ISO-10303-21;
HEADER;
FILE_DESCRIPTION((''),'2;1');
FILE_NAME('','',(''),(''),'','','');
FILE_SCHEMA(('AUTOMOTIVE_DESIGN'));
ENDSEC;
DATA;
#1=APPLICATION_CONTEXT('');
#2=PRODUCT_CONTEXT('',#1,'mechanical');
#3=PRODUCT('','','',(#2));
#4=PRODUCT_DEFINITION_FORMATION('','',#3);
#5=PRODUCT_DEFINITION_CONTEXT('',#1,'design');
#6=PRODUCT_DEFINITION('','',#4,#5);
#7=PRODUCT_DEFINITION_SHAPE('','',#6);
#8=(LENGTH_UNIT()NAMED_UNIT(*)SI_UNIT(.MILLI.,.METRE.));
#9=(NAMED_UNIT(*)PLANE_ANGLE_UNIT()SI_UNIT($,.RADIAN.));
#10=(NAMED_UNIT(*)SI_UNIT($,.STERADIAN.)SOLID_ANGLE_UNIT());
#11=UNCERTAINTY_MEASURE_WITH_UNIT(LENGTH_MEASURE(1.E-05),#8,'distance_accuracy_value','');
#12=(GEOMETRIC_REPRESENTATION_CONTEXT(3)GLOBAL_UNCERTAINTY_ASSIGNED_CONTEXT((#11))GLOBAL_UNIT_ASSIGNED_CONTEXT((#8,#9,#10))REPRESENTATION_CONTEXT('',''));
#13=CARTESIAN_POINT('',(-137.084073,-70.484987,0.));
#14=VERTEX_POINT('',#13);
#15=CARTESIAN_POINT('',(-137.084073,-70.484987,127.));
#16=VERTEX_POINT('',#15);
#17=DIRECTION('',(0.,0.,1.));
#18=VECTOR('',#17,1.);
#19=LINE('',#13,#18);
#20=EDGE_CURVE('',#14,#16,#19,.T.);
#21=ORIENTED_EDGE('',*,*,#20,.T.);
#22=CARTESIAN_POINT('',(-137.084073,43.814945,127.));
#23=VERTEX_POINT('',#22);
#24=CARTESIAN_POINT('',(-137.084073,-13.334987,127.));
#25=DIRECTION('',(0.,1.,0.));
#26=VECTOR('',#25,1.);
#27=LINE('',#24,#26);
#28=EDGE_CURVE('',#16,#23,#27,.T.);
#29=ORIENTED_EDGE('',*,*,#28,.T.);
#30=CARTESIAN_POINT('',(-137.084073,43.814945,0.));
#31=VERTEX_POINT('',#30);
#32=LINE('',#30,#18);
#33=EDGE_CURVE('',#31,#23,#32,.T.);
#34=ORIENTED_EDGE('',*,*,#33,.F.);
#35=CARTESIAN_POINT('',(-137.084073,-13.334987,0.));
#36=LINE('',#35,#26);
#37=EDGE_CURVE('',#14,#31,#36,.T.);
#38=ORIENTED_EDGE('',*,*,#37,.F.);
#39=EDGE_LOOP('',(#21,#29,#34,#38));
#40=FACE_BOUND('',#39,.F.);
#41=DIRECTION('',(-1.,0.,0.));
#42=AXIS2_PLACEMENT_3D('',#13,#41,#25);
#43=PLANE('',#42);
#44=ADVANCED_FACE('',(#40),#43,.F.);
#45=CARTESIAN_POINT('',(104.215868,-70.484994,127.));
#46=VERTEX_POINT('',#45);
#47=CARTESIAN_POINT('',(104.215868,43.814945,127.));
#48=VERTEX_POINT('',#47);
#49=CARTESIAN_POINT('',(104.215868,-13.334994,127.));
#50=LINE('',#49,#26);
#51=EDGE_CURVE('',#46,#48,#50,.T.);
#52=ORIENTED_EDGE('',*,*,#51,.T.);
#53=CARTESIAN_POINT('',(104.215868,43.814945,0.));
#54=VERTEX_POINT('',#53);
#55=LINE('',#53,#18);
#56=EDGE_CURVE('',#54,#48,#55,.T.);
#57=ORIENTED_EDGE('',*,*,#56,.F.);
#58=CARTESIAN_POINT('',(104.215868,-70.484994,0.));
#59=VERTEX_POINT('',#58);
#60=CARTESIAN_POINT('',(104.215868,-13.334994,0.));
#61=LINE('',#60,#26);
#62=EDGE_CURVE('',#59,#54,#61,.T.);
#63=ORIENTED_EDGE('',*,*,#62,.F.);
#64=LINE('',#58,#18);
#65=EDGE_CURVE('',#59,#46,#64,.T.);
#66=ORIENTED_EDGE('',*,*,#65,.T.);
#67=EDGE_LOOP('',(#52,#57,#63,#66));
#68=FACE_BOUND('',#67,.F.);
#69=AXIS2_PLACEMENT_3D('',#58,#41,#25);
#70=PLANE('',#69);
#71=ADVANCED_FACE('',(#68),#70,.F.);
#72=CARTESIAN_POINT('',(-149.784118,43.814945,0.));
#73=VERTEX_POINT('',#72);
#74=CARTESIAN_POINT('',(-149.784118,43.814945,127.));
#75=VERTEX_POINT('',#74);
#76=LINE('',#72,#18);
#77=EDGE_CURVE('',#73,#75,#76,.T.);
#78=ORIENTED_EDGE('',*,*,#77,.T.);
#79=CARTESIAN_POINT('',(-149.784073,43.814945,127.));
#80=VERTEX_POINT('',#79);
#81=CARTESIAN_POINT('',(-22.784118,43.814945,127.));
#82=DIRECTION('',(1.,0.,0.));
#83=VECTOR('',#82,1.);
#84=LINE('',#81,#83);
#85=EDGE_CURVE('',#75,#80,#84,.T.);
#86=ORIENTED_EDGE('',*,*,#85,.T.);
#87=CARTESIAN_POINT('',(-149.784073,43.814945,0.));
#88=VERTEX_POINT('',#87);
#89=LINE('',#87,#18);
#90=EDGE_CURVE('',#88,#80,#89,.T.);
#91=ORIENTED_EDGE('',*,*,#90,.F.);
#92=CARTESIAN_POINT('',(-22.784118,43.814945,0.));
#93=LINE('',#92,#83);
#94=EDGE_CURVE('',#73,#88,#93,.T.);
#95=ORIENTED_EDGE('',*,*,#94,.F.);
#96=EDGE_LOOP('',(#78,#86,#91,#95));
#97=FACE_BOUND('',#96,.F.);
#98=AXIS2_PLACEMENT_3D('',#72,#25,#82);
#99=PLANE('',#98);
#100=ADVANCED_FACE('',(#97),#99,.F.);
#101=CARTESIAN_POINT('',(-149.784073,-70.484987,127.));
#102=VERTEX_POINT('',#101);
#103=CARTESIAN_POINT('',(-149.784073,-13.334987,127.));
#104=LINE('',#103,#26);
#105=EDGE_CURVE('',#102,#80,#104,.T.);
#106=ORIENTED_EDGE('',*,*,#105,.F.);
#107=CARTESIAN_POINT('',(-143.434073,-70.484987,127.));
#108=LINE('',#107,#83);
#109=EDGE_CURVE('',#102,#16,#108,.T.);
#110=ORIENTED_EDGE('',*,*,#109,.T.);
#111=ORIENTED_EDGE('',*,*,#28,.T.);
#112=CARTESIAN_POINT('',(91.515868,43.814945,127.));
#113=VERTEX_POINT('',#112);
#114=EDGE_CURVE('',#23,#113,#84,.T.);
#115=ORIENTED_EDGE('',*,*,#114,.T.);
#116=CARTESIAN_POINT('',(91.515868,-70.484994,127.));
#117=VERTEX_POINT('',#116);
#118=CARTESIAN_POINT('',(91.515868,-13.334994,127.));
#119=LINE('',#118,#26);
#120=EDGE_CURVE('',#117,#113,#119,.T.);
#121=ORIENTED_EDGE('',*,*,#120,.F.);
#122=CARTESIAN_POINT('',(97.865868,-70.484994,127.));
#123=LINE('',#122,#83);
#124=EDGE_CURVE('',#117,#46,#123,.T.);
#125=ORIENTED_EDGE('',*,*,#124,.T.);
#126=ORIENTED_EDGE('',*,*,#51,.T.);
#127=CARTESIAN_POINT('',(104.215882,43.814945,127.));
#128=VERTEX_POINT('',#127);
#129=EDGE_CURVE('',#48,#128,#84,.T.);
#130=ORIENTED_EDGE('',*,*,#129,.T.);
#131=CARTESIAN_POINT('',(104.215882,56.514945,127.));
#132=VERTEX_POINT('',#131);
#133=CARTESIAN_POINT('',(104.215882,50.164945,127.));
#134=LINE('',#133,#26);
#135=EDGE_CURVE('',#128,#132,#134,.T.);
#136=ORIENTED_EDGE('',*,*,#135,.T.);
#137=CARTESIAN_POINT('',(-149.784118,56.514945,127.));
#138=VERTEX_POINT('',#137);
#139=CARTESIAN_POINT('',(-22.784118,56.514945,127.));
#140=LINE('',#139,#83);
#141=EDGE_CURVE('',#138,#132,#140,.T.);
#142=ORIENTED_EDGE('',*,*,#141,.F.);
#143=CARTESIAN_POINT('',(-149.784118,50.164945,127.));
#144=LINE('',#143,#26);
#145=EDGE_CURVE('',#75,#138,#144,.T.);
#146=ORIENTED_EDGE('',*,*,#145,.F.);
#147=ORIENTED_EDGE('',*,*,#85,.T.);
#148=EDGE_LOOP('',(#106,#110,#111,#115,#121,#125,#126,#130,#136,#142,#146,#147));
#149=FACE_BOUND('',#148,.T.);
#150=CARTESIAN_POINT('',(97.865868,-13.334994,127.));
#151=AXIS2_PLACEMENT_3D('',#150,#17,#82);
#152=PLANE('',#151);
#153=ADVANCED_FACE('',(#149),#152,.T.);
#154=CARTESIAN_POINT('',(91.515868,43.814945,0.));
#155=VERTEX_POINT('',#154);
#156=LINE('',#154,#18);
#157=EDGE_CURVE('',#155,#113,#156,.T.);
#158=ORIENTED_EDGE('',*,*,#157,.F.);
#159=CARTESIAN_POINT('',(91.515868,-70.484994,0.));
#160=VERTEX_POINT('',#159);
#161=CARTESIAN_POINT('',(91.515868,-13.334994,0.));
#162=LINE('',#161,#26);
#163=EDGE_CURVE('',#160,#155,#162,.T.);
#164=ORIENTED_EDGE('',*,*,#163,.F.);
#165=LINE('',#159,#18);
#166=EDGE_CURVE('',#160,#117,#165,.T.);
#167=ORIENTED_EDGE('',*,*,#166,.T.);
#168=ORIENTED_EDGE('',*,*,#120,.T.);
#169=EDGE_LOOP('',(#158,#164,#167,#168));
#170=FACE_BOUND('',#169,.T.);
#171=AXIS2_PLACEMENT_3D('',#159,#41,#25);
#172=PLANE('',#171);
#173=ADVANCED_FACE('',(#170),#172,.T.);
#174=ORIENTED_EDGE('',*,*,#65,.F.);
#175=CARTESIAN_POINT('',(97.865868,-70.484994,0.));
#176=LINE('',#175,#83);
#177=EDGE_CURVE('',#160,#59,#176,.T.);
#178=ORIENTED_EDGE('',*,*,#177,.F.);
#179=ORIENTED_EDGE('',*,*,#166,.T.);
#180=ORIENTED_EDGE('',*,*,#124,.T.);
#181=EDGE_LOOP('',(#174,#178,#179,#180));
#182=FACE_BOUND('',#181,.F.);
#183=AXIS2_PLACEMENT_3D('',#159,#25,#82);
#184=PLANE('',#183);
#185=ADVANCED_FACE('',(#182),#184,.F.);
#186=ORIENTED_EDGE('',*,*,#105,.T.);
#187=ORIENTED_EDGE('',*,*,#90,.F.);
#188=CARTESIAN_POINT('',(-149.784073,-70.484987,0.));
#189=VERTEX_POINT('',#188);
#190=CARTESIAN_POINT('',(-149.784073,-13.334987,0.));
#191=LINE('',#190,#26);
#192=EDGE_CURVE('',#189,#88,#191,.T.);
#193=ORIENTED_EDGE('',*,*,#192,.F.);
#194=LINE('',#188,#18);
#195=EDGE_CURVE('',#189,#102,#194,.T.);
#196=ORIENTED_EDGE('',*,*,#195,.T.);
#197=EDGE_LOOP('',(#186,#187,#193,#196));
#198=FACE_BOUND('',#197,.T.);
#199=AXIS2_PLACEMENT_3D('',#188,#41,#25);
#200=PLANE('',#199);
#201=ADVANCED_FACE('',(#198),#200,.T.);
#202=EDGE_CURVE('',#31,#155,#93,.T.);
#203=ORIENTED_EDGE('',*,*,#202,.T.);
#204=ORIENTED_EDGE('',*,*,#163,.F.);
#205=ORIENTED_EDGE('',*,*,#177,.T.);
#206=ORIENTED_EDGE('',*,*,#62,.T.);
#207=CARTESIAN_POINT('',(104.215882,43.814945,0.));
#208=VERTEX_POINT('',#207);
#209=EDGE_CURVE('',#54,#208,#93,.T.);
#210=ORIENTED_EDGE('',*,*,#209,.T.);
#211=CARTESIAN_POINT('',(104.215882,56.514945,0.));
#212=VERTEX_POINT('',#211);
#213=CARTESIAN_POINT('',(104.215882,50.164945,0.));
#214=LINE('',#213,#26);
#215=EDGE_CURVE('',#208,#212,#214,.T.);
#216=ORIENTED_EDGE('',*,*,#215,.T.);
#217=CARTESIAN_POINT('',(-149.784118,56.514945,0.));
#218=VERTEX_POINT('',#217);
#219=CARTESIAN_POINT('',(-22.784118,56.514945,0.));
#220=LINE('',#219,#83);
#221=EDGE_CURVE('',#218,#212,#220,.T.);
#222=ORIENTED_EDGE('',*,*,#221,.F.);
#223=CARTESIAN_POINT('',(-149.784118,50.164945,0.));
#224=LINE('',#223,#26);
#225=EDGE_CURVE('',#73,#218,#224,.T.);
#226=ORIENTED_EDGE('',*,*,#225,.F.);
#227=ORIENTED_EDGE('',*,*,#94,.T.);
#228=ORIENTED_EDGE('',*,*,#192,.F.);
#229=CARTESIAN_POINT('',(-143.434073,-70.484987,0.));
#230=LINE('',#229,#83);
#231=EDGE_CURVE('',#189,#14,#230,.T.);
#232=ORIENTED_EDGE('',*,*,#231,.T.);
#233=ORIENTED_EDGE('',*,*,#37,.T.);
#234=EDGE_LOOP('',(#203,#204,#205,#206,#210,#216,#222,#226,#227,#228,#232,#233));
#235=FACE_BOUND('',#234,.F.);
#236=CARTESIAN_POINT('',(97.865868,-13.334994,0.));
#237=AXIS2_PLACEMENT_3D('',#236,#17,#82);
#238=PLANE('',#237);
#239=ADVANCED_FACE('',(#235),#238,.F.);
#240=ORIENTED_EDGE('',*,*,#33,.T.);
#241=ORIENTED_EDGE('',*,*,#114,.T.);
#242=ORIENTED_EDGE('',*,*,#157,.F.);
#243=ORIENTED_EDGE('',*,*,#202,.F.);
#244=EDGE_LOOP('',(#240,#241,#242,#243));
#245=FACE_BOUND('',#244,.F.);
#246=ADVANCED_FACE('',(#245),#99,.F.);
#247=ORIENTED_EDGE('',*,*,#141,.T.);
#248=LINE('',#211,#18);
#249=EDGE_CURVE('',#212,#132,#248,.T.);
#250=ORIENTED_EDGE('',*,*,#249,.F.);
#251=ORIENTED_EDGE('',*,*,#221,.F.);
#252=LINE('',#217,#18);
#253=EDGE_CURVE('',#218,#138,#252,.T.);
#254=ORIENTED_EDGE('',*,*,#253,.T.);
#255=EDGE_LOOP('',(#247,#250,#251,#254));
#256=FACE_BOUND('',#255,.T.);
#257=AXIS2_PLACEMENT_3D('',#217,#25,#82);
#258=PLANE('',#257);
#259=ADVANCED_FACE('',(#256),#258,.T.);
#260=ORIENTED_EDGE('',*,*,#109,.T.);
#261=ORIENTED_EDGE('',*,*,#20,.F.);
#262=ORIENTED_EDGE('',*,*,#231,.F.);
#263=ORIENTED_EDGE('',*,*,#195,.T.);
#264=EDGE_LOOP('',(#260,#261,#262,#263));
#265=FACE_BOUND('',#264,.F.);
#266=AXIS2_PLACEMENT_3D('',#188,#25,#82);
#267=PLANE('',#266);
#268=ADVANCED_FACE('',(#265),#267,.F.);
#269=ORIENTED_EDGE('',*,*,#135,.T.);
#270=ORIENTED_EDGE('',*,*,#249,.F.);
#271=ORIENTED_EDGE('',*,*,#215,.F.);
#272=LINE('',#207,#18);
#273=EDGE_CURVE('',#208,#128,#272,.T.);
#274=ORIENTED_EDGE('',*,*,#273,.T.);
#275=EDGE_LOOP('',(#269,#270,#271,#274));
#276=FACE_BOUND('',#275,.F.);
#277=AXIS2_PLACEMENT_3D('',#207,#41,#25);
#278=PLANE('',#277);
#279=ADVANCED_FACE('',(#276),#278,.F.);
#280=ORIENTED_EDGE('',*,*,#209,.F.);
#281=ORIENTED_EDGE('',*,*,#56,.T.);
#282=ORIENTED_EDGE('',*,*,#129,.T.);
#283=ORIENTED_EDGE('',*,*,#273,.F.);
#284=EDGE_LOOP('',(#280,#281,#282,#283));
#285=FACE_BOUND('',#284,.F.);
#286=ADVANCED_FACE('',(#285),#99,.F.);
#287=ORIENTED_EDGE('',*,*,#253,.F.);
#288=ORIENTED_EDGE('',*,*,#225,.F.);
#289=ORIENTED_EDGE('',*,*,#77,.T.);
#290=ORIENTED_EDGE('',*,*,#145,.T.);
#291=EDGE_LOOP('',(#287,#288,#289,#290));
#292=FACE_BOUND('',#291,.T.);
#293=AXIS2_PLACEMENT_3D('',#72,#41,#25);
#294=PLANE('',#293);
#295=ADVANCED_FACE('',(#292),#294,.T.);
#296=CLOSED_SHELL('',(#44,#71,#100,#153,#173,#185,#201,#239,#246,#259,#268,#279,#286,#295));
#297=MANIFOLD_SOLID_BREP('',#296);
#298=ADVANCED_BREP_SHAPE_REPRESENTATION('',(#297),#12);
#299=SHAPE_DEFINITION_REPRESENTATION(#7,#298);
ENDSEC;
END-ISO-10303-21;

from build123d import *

# Parameters (mm, degrees)
F0_W     = 254
F0_H     = 12.7
F1_DEPTH = 127
F2_W     = 12.7
F2_H     = 114.3
F3_DEPTH = 127
F4_W     = 12.7
F4_H     = 114.3
F5_DEPTH = 127


with BuildPart() as f1:
    # F0 (on Top) → F1 (new body)
    with BuildSketch(Plane.XY):
        with Locations((-22.784118, 50.164945)):
            Rectangle(F0_W, F0_H)
    extrude(amount=F1_DEPTH)

    # F2 (on Top) → F3 (join)
    with BuildSketch(Plane.XY):
        with Locations((-143.434073, -13.334987)):
            Rectangle(F2_W, F2_H)
    extrude(amount=F3_DEPTH)

    # F4 (on Top) → F5 (join)
    with BuildSketch(Plane.XY):
        with Locations((97.865868, -13.334994)):
            Rectangle(F4_W, F4_H)
    extrude(amount=F5_DEPTH)


solid = f1.part
